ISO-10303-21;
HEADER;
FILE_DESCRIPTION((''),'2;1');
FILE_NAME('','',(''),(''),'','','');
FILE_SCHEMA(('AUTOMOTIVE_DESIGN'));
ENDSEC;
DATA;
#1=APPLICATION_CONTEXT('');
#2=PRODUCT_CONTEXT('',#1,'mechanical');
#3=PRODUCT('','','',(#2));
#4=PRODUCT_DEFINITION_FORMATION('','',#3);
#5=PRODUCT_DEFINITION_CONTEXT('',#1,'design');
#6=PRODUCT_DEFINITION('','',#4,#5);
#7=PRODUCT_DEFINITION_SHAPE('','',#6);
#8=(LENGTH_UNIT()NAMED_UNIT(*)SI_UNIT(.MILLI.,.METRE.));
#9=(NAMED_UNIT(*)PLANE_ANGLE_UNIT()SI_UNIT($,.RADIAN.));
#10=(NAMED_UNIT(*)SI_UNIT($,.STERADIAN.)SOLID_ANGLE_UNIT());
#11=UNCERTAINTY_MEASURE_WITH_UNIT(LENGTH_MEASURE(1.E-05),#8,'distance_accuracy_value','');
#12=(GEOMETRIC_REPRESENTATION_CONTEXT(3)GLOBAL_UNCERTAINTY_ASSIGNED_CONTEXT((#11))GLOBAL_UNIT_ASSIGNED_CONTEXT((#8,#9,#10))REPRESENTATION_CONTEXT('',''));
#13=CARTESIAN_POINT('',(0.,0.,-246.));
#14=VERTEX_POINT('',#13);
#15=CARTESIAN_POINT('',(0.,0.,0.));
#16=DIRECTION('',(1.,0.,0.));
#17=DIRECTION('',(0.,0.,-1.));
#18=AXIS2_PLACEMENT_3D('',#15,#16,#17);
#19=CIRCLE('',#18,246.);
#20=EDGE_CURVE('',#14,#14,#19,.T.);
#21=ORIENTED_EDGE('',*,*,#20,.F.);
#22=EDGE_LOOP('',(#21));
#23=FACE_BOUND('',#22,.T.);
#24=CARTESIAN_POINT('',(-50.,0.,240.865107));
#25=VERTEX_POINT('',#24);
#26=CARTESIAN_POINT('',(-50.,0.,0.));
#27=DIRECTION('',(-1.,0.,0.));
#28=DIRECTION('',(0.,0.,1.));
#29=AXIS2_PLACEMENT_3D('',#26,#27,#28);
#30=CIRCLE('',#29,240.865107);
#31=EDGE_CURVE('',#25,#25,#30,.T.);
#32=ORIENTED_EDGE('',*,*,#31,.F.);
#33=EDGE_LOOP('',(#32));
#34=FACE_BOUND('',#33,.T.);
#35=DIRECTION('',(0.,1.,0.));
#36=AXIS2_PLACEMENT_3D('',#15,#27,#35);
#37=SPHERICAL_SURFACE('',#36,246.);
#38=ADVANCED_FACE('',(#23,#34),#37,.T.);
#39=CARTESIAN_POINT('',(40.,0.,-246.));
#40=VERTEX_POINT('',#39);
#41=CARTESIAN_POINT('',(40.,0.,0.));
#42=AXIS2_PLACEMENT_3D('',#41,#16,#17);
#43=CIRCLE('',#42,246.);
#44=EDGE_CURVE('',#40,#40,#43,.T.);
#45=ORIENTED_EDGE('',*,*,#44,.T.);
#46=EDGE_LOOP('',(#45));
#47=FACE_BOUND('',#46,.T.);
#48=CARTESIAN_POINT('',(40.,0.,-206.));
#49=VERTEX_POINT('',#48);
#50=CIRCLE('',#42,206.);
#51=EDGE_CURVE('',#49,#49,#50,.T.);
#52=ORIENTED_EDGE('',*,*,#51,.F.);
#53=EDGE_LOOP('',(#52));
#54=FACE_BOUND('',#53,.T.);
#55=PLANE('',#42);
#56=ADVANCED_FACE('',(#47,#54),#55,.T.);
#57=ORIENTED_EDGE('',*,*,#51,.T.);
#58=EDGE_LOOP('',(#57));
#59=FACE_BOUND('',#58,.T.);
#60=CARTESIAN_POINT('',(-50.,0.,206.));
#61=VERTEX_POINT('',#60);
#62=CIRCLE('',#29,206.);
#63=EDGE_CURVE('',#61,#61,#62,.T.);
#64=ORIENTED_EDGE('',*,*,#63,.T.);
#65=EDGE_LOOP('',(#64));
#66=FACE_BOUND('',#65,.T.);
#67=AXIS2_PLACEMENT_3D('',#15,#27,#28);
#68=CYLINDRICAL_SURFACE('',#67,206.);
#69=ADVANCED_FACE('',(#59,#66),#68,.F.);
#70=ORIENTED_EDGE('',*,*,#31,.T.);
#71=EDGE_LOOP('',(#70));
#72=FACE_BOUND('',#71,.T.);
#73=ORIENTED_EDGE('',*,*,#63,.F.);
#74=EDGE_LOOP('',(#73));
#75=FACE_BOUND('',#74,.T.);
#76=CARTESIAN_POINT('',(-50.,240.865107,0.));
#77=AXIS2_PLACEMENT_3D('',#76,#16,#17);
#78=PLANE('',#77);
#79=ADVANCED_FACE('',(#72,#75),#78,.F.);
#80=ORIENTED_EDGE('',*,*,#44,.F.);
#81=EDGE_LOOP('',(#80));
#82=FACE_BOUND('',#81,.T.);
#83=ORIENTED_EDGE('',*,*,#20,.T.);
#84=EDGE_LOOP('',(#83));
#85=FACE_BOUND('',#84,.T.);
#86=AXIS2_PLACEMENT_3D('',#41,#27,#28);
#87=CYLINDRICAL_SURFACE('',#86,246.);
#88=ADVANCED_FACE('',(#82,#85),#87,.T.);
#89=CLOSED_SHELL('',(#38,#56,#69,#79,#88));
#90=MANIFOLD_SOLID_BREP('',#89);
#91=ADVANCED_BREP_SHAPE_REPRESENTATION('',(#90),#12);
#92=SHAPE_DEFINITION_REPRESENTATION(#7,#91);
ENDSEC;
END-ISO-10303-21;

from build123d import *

# Parameters (mm, degrees)
SKIZZE4_R                       = 246
SKIZZE4_R_2                     = 206
AUFSATZ_LINEAR_AUSTRAGEN1_DEPTH = 40


with BuildPart() as part:
    # Skizze2 → Rotation1 (revolve)
    with BuildSketch(Plane.XY):
        with BuildLine():
            Line((0, 246), (0, 206))
            Line((0, 206), (-50, 206))
            Line((-50, 206), (-50, 240.865107477))
            ThreePointArc((-50, 240.865107477), (-25.131489815, 244.712909794), (0, 246))
        make_face()
    revolve(axis=Axis((0, 0, 0), (1, 0, 0)))

    # Skizze4 → Aufsatz-Linear austragen1 (add)
    with BuildSketch(Plane(origin=(0, 0, 0), x_dir=(0, 0, -1), z_dir=(1, 0, 0))):
        Circle(SKIZZE4_R)
        Circle(SKIZZE4_R_2, mode=Mode.SUBTRACT)
    extrude(amount=AUFSATZ_LINEAR_AUSTRAGEN1_DEPTH)


solid = part.part
